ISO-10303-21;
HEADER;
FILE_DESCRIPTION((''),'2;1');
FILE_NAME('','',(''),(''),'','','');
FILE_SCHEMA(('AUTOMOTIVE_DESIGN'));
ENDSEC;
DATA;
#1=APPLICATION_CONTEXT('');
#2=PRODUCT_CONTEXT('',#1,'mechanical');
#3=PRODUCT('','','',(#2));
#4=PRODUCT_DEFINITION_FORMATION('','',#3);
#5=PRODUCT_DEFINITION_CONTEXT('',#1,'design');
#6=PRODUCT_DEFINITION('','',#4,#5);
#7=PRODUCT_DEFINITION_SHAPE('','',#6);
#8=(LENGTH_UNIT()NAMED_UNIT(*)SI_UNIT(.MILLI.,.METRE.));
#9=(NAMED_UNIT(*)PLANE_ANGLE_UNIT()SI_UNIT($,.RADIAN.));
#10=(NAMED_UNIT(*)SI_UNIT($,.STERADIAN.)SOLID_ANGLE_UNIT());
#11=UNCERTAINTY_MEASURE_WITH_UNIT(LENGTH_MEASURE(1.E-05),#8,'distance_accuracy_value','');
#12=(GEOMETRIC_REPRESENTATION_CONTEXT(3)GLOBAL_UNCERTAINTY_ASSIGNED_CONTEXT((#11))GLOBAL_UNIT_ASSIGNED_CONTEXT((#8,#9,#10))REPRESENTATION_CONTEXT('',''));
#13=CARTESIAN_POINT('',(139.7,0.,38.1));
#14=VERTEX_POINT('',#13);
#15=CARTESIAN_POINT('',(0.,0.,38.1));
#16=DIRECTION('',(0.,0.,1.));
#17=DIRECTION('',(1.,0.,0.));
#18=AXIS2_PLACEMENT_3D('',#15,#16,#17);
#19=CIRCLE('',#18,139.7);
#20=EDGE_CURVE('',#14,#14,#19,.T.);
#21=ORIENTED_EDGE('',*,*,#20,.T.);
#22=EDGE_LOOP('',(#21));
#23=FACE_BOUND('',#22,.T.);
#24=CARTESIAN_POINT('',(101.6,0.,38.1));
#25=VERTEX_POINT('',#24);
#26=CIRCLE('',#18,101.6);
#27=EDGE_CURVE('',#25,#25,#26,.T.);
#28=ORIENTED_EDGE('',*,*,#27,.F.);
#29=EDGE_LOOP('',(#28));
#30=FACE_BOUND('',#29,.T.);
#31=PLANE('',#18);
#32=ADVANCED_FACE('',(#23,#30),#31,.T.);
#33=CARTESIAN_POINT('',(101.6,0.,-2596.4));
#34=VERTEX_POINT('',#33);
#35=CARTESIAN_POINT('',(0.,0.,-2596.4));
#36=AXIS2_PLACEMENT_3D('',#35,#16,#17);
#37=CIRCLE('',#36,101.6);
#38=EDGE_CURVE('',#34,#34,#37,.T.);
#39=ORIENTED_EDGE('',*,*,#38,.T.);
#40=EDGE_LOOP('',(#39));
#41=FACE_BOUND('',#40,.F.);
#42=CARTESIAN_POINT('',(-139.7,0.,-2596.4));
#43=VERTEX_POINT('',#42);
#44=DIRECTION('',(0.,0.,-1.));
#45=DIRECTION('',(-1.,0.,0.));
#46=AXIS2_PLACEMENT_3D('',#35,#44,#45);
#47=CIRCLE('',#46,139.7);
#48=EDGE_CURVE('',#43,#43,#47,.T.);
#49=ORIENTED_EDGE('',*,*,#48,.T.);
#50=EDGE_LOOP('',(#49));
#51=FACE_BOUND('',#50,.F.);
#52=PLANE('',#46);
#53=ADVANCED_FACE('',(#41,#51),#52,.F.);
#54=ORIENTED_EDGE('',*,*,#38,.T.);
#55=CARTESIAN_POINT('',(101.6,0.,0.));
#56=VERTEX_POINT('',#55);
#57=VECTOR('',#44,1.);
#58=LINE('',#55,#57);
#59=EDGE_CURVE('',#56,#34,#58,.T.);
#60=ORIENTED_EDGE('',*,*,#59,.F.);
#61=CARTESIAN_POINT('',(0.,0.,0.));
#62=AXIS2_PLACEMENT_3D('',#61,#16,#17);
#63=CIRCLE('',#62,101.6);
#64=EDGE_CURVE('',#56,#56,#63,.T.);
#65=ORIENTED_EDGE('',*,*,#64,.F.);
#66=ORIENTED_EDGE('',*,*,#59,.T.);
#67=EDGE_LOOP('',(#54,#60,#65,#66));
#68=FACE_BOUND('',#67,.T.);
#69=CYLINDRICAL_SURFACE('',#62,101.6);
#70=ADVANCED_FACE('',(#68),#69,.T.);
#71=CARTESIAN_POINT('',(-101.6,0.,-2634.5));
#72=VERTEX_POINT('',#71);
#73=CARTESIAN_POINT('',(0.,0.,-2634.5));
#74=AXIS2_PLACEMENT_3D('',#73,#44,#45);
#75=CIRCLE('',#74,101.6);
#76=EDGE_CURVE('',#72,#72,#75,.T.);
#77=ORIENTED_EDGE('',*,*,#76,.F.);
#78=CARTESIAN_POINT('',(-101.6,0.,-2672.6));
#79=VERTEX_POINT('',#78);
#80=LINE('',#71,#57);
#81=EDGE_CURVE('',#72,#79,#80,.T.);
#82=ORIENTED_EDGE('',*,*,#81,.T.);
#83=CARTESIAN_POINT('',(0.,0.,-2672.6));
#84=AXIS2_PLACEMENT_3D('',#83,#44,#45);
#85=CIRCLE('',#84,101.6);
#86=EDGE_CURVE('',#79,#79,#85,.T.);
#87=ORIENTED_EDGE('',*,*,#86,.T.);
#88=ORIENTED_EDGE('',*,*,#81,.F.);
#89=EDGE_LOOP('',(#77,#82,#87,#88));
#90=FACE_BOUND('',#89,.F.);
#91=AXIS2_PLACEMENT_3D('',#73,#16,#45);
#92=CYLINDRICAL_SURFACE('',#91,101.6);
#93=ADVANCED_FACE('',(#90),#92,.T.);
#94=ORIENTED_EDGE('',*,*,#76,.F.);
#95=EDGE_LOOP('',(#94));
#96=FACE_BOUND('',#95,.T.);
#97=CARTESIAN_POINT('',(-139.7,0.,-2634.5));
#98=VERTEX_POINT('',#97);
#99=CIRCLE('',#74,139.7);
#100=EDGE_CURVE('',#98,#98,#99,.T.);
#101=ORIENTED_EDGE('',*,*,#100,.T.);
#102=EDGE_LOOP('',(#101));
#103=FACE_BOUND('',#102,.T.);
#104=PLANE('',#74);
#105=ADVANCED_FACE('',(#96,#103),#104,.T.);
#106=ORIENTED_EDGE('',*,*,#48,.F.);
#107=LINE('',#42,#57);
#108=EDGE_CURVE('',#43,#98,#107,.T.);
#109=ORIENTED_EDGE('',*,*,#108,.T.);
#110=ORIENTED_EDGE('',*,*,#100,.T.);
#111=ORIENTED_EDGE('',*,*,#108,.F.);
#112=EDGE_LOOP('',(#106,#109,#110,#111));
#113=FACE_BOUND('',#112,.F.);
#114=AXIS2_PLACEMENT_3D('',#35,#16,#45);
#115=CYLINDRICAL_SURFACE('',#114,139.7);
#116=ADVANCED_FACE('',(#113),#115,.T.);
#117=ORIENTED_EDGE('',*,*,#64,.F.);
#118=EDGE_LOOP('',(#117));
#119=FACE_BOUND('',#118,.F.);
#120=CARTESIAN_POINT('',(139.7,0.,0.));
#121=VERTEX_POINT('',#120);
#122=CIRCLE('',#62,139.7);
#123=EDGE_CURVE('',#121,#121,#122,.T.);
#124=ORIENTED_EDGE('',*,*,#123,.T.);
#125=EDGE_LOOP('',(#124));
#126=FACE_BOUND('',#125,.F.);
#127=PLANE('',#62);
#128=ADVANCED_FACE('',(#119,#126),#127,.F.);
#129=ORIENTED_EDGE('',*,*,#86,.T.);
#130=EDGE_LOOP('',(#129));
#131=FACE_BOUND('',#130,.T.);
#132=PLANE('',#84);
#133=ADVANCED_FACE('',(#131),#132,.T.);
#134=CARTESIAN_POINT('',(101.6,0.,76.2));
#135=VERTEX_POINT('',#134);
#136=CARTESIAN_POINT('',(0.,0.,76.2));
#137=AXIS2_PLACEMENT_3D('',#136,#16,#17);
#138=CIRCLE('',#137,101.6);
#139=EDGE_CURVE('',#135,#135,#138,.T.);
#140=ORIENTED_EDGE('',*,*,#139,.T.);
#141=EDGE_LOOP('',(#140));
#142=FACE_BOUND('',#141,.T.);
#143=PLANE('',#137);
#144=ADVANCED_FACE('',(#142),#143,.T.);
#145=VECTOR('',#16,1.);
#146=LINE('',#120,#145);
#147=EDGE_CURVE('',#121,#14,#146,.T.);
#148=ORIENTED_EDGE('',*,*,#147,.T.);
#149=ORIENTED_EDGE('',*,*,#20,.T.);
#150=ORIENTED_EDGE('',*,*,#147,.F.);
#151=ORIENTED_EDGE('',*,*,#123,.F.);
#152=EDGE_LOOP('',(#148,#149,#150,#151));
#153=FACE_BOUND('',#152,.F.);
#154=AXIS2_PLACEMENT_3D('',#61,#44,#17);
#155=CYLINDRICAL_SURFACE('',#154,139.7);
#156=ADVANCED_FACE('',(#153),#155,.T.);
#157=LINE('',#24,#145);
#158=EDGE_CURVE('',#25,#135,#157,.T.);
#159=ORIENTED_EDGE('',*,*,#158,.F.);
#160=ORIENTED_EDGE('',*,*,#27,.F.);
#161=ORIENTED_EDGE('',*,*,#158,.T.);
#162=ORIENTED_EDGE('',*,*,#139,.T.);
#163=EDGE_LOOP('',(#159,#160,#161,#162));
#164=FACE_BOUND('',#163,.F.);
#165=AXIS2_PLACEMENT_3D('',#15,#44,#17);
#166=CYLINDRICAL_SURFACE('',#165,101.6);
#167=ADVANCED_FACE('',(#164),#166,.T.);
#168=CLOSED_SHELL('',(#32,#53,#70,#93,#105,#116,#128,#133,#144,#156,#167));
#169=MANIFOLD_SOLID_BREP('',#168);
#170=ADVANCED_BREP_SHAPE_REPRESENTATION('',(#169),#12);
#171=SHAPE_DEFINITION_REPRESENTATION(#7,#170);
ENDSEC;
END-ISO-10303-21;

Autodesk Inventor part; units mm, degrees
ref_plane "YZ Plane" through (0, 0, 0) normal (1, 0, 0) x (0, 1, 0)
ref_plane "XZ Plane" through (0, 0, 0) normal (0, 1, 0) x (-1, 0, 0)
ref_plane "XY Plane" through (0, 0, 0) normal (0, 0, 1) x (1, 0, 0)
sketch "Sketch1" plane through (0, 0, 0) normal (0, 0, 1) x (1, 0, 0)
  circle A0 centre (0, 0) radius 101.6
  dimension "d0" = 203.2
extrude "Extrusion1" add sketch "Sketch1" against normal blind 2596.4
sketch "Sketch2" plane through (0, 0, 0) normal (0, 0, 1) x (1, 0, 0)
  circle A0 centre (0, 0) radius 139.7
  dimension "d3" = 279.4
extrude "Extrusion2" add sketch "Sketch2" along normal blind 38.1
sketch "Sketch3" plane through (0, 0, -2596.4) normal (0, 0, -1) x (-1, 0, 0)
  circle A0 centre (0, 0) radius 139.7 projected
extrude "Extrusion3" add sketch "Sketch3" along normal blind 38.1
sketch "Sketch4" plane through (0, 0, 38.1) normal (0, 0, 1) x (1, 0, 0)
  circle A0 centre (0, 0) radius 101.6 projected
extrude "Extrusion4" add sketch "Sketch4" along normal blind 38.1
sketch "Sketch5" plane through (0, 0, -2634.5) normal (0, 0, -1) x (-1, 0, 0)
  circle A0 centre (0, 0) radius 101.6 projected
extrude "Extrusion5" add sketch "Sketch5" along normal blind 38.1
properties part number "dry_pipe_new"
